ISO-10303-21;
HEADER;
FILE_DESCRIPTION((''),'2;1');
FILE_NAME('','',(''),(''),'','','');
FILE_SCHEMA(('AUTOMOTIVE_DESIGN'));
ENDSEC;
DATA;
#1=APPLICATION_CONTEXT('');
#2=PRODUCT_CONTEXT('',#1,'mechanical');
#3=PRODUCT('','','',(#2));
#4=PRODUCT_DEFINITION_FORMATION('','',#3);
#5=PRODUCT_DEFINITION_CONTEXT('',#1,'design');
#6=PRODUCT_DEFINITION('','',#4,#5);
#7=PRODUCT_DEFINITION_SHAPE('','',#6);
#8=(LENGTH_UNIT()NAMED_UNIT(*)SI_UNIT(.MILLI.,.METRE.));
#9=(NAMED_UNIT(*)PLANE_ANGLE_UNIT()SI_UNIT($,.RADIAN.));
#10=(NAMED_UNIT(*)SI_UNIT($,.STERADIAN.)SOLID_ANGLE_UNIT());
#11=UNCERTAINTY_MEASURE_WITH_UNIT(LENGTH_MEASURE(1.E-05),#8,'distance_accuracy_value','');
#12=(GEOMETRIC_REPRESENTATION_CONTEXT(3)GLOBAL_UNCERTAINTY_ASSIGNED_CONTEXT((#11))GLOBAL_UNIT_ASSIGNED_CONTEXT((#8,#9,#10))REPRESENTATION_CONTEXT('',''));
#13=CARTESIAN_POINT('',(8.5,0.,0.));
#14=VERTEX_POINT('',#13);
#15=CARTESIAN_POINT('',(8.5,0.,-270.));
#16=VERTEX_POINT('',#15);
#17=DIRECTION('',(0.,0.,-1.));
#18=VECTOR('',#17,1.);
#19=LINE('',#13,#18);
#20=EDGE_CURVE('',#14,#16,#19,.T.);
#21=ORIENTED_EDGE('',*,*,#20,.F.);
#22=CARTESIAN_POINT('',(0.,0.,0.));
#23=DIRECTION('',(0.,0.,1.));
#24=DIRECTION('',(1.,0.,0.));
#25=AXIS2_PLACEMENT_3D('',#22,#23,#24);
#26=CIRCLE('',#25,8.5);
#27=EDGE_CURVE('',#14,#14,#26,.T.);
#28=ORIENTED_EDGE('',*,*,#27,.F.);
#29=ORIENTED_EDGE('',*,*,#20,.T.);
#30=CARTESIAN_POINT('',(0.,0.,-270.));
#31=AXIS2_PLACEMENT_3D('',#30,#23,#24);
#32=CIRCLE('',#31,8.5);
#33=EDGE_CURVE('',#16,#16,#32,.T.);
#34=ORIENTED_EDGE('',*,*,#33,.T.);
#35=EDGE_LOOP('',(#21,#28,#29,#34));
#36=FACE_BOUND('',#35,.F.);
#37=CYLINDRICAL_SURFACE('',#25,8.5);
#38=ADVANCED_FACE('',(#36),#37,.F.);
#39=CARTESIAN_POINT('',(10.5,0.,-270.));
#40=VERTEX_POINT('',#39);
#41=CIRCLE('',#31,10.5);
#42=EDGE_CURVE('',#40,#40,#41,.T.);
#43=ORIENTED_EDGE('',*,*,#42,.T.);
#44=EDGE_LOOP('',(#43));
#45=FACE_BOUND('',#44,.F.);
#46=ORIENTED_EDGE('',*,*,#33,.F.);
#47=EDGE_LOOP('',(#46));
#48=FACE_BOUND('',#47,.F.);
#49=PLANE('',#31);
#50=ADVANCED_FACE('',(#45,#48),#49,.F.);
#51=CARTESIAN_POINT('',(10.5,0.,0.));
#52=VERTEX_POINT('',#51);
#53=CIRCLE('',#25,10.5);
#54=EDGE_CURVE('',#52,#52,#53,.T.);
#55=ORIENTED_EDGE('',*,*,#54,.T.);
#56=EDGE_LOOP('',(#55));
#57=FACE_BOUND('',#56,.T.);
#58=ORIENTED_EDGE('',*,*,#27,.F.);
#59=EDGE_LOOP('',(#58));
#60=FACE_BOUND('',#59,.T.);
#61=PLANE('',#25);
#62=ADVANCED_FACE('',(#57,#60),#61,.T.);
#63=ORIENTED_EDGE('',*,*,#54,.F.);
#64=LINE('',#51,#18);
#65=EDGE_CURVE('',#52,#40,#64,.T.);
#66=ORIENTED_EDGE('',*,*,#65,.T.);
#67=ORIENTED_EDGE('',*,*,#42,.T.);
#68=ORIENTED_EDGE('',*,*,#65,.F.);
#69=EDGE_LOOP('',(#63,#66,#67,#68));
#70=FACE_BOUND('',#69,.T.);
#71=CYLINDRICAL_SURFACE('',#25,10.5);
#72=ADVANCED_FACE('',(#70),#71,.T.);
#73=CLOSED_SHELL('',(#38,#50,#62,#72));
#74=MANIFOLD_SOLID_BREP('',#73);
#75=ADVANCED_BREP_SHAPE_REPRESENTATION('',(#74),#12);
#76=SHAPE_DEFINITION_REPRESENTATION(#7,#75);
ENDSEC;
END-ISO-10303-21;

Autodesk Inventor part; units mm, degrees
ref_plane "YZ Plane" through (0, 0, 0) normal (1, 0, 0) x (0, 1, 0)
ref_plane "XZ Plane" through (0, 0, 0) normal (0, 1, 0) x (-1, 0, 0)
ref_plane "XY Plane" through (0, 0, 0) normal (0, 0, 1) x (1, 0, 0)
sketch "Sketch11" plane through (0, 0, 0) normal (0, 0, 1) x (1, 0, 0)
  circle A0 centre (0, 0) radius 10.5
  circle A1 centre (0, 0) radius 8.5
  dimension "d187" = 21
  dimension "d188" = 2
extrude "Extrusion5" add sketch "Sketch11" against normal blind 270
properties part number "TKS 3545 FDS thread  tube5" material "Stainless Steel"
